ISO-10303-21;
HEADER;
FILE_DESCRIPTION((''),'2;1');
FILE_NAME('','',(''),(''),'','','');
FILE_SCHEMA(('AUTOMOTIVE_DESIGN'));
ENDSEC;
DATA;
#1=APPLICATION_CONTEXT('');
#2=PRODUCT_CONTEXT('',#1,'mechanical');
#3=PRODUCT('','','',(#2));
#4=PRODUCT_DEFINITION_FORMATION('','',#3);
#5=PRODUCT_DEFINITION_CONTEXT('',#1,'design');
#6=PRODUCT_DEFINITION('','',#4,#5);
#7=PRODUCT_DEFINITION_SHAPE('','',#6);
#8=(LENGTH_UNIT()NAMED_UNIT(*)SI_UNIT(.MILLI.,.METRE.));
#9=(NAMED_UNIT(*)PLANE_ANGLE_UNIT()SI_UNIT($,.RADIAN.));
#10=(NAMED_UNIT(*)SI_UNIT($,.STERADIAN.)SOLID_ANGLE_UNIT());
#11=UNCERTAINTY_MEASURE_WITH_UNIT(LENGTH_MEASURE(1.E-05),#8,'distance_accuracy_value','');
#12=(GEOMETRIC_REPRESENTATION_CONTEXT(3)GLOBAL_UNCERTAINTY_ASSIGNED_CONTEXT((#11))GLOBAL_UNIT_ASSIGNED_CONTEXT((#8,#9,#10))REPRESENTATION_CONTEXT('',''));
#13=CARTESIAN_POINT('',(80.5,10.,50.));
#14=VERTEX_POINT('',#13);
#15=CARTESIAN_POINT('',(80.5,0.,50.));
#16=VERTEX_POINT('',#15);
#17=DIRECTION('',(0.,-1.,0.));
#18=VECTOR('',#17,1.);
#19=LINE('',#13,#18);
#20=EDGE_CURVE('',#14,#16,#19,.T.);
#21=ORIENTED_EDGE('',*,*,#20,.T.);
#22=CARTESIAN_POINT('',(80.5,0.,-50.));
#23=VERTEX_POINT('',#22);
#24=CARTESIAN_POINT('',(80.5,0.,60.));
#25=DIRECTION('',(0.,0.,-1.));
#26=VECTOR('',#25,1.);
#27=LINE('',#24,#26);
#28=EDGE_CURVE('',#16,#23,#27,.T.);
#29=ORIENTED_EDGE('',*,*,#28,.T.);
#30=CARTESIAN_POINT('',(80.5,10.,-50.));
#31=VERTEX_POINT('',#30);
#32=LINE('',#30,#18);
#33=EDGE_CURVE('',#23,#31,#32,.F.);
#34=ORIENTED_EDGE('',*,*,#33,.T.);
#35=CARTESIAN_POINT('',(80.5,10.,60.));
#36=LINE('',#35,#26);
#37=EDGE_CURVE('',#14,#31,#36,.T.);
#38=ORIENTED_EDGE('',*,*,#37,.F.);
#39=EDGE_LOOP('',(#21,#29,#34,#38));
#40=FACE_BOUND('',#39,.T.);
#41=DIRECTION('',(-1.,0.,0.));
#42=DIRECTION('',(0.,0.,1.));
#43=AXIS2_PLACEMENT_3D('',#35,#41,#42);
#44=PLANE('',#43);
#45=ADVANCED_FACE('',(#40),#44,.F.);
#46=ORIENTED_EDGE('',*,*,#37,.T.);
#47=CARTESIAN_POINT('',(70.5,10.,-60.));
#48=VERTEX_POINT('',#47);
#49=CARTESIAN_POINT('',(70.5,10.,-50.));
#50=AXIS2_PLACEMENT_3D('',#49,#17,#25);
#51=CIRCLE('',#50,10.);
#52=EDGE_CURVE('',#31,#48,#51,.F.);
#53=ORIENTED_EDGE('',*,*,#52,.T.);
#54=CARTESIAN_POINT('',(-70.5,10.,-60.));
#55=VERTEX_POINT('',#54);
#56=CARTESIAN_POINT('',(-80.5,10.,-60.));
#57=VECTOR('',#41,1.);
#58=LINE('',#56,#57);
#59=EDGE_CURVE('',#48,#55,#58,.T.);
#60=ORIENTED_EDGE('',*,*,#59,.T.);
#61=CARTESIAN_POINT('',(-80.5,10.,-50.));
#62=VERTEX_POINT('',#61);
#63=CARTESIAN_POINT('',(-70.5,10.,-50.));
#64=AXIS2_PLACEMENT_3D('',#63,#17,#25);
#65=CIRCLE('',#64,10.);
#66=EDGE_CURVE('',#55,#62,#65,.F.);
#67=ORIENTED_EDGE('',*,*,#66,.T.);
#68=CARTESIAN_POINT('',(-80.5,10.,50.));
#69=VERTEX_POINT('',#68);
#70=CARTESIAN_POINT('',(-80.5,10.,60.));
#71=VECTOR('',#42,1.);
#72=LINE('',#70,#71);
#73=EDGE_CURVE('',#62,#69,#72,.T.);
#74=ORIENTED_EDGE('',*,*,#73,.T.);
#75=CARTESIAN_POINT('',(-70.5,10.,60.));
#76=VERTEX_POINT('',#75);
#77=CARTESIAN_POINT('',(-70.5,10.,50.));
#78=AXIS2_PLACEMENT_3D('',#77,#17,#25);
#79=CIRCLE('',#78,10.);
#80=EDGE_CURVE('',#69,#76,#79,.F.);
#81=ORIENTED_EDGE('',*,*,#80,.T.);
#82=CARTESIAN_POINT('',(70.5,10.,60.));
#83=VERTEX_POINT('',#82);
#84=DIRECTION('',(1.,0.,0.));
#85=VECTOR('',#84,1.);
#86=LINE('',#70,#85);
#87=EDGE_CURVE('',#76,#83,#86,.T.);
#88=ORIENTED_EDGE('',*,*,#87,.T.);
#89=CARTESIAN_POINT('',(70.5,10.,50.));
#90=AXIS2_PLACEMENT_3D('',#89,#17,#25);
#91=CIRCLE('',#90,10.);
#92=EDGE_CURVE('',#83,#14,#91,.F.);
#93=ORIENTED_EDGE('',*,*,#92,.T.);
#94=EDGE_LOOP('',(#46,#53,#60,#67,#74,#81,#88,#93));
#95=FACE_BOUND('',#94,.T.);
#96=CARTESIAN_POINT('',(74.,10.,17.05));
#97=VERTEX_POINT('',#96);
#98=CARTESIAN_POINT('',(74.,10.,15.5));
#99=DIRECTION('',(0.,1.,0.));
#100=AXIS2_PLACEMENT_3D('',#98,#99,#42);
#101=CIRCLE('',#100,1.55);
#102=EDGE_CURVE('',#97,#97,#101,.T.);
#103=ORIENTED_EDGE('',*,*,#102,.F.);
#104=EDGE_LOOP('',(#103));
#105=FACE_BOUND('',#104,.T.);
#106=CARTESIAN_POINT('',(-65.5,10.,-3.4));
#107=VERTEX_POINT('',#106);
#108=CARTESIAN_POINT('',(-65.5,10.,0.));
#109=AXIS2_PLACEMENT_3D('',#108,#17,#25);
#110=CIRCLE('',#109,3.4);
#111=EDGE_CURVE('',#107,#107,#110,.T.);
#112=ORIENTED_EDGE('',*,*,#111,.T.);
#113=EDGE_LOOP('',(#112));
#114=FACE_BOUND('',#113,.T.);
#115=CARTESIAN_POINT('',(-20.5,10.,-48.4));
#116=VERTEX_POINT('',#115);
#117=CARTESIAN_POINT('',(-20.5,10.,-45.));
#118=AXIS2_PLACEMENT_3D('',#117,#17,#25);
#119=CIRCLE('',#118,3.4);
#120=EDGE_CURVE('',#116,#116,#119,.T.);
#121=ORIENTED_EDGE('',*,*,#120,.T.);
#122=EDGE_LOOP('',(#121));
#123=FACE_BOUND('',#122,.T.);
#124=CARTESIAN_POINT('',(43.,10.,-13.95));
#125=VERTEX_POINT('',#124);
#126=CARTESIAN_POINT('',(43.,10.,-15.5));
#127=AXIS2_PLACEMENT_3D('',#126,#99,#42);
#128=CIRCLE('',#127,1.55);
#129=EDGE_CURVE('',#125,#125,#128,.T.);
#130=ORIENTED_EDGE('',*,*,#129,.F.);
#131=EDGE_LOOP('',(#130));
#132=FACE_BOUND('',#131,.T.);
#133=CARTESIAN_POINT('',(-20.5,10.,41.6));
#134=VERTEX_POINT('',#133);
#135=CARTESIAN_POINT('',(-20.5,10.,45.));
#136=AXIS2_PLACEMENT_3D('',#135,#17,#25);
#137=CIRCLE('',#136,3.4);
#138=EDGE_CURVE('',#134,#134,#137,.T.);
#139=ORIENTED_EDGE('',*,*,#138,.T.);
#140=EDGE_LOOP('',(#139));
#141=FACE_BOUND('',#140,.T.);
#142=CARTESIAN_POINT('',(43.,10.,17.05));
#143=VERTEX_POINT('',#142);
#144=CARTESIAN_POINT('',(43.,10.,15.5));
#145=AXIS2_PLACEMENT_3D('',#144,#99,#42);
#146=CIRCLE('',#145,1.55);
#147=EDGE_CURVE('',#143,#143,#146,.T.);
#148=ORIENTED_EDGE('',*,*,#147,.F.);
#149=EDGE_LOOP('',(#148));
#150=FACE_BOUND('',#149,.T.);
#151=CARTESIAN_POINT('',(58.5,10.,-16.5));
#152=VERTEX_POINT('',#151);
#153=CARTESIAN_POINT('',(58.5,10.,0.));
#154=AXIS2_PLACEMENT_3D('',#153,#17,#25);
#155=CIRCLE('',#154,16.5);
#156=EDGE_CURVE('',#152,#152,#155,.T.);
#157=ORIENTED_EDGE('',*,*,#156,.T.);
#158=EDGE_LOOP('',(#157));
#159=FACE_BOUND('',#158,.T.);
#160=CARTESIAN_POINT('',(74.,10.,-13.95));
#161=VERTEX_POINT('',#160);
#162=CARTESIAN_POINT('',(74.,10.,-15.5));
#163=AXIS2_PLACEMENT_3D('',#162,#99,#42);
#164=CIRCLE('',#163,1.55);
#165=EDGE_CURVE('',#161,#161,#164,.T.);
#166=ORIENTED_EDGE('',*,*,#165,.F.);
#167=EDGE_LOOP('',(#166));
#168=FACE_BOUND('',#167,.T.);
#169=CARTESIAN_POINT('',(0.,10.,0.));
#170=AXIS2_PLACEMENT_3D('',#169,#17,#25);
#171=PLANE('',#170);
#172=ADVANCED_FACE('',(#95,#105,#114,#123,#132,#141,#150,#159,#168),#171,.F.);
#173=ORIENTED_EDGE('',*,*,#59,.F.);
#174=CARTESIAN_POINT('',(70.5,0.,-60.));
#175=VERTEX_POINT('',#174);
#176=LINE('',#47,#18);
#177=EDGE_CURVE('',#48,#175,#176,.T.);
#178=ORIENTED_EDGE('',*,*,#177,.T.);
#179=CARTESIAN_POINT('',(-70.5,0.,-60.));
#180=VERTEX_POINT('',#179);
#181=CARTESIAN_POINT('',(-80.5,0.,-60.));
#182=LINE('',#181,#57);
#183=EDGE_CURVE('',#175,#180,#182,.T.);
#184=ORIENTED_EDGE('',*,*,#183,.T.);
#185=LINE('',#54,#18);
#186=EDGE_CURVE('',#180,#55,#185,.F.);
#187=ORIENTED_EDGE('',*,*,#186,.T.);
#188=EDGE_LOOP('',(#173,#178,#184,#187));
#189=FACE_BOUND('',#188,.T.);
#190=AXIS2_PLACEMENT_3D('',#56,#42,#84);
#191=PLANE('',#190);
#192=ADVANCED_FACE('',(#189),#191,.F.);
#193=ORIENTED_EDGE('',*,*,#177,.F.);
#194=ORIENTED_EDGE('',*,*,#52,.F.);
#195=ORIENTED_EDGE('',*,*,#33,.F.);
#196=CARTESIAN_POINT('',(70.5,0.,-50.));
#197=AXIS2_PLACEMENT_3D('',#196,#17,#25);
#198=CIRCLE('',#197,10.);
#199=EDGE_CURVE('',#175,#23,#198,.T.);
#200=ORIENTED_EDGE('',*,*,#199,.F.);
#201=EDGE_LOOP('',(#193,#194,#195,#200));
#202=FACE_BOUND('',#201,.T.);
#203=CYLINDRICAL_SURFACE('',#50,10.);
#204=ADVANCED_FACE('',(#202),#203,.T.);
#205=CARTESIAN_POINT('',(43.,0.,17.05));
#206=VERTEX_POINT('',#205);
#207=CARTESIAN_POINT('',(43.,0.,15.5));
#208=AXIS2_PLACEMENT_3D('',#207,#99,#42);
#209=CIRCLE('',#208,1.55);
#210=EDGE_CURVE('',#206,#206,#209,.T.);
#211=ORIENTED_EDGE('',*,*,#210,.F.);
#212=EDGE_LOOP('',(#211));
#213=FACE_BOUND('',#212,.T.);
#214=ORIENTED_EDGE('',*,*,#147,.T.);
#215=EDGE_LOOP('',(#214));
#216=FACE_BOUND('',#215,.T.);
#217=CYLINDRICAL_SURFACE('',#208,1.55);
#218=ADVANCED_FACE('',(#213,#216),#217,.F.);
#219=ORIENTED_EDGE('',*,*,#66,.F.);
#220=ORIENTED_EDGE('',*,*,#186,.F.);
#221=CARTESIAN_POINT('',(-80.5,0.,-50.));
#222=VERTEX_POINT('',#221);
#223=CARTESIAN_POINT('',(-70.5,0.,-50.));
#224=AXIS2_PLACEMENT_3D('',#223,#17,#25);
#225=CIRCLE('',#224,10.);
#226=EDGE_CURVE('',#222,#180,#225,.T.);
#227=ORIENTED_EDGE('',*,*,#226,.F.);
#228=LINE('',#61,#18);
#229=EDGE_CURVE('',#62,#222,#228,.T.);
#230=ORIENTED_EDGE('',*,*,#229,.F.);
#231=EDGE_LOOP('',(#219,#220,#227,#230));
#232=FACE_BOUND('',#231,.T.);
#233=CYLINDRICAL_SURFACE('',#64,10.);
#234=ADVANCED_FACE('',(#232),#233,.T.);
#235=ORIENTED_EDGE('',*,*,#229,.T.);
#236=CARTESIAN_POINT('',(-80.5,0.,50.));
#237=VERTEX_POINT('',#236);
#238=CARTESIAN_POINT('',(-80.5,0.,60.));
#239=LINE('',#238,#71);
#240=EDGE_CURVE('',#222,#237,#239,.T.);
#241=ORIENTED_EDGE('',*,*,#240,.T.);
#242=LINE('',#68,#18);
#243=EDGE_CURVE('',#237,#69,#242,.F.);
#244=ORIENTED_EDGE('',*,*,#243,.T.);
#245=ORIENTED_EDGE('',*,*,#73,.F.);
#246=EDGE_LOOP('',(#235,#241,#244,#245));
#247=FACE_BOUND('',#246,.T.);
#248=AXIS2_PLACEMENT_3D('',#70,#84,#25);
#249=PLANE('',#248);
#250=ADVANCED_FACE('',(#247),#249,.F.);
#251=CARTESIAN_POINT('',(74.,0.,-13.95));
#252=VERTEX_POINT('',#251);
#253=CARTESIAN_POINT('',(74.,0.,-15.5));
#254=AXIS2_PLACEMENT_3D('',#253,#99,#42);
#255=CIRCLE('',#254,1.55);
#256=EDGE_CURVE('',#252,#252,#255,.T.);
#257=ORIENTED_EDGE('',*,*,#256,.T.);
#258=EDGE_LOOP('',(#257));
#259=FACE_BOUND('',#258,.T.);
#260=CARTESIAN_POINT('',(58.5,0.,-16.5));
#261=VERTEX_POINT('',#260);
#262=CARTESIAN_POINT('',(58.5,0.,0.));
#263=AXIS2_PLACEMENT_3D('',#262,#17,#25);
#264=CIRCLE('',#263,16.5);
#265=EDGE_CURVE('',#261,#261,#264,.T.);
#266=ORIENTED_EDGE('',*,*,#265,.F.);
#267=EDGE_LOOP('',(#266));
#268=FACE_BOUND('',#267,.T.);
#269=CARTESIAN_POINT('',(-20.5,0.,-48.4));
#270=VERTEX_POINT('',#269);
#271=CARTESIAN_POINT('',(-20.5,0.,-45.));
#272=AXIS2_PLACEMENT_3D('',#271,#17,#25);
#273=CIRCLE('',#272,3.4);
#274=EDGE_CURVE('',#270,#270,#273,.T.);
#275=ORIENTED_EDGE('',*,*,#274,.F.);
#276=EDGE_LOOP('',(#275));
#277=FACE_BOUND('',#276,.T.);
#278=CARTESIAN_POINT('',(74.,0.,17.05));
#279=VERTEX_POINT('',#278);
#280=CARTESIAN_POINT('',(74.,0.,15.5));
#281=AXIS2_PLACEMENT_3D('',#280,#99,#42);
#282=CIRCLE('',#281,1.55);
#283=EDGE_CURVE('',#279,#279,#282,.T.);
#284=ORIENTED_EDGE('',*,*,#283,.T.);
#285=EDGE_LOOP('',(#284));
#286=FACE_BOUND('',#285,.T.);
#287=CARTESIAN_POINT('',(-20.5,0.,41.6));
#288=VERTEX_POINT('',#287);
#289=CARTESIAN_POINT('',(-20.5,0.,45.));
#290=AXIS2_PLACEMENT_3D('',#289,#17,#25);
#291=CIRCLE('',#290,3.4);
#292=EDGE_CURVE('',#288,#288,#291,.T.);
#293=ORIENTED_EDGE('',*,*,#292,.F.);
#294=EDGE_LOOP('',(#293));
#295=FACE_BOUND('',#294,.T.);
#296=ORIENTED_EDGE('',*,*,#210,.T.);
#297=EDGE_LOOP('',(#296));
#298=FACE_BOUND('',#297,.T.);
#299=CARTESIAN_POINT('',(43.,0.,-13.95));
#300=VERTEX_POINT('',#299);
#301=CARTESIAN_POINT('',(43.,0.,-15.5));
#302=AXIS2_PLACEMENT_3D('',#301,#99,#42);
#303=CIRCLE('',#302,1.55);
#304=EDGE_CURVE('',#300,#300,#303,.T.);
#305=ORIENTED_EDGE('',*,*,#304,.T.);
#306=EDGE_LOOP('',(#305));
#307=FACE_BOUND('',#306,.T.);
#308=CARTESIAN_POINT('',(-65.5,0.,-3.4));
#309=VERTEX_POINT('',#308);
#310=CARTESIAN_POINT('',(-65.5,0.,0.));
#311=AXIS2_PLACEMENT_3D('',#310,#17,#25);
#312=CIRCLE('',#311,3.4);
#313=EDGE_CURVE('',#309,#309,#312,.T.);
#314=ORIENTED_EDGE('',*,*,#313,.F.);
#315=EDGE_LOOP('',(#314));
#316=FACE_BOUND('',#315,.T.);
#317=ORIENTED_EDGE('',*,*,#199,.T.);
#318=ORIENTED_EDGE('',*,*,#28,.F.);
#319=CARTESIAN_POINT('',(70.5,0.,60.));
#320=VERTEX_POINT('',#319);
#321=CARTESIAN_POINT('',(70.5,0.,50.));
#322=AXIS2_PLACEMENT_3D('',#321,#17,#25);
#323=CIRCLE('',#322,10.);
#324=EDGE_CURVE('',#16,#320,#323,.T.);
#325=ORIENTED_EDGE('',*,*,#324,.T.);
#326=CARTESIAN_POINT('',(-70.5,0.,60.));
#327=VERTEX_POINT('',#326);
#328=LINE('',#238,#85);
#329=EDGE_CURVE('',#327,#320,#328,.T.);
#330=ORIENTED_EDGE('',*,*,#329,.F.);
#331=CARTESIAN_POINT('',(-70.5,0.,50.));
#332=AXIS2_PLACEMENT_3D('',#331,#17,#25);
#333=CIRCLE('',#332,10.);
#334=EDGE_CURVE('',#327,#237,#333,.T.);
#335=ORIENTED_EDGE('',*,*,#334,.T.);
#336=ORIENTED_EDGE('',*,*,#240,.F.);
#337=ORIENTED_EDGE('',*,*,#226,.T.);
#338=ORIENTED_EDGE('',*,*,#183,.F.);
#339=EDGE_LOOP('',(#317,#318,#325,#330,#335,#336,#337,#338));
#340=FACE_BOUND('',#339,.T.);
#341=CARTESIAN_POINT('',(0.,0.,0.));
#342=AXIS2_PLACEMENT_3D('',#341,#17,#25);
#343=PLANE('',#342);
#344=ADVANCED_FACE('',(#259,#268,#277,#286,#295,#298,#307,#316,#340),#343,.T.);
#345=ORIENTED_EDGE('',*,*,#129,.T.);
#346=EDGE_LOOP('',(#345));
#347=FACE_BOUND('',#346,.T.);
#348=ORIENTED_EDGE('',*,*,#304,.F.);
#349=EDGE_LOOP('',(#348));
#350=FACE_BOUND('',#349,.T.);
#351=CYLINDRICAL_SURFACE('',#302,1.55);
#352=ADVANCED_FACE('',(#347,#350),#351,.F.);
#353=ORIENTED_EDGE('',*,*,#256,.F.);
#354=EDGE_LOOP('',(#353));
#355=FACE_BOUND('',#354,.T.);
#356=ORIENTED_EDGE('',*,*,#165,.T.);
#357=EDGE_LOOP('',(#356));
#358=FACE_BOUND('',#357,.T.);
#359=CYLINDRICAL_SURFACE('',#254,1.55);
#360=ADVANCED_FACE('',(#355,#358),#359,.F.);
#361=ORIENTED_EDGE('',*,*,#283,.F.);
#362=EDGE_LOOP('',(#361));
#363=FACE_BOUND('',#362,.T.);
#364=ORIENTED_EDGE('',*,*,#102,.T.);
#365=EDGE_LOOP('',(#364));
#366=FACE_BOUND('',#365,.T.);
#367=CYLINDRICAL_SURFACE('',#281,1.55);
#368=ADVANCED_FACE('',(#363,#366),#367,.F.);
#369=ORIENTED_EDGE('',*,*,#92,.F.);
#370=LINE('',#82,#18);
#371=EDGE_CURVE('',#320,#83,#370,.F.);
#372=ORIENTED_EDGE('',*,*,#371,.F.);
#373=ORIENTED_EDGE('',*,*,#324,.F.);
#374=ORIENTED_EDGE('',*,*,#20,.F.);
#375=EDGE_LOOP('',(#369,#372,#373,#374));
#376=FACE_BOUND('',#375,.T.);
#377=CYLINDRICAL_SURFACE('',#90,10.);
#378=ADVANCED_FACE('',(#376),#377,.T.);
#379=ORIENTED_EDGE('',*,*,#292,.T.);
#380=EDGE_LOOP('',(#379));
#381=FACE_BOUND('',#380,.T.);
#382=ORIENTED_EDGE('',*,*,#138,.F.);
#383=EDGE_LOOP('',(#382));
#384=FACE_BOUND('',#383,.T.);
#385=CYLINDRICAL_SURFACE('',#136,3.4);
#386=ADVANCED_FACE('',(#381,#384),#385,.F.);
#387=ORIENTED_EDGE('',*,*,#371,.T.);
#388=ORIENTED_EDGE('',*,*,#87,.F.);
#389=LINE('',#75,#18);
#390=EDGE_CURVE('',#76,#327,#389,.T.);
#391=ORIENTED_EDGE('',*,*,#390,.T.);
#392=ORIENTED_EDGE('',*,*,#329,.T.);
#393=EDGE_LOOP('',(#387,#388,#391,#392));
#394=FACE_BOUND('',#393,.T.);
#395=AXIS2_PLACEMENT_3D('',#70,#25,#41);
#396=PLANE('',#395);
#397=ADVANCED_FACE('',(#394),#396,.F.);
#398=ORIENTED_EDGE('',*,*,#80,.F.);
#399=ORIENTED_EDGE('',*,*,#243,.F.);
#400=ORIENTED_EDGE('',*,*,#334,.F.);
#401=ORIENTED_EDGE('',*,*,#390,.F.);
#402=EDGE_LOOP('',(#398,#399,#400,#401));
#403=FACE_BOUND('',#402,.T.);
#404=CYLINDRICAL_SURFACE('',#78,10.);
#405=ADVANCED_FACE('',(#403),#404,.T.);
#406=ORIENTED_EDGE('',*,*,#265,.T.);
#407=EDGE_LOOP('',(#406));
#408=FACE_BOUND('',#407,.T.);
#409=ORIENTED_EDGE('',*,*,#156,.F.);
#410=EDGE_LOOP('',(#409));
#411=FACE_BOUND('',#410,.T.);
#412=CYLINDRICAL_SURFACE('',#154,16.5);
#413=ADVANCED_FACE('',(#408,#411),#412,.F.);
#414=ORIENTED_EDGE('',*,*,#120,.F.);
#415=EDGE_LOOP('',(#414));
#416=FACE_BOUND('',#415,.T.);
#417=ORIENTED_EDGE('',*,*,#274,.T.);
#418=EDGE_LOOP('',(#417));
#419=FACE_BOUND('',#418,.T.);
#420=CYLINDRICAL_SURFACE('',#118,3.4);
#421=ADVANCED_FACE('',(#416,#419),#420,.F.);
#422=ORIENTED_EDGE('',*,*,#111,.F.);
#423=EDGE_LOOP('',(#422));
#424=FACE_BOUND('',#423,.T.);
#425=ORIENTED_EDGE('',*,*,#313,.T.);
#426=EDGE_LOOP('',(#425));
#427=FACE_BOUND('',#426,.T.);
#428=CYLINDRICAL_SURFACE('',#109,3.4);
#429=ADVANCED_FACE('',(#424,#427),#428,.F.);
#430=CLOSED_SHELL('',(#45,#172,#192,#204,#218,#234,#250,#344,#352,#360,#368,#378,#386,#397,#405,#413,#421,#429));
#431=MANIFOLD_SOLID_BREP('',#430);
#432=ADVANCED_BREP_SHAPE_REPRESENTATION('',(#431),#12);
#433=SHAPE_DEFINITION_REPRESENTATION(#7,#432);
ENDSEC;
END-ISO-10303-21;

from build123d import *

# Parameters (mm, degrees)
SKETCH_1_W          = 161
SKETCH_1_H          = 120
EXTRUDE_1_DEPTH     = 10
FILLET_1_R          = 10
SKETCH_2_R          = 1.55
CUT_EXTRUDE_1_DEPTH = 10
SKETCH_3_R          = 16.5
CUT_EXTRUDE_2_DEPTH = 10
SKETCH_4_R          = 3.4
CUT_EXTRUDE_3_DEPTH = 101.897224937


with BuildPart() as part:
    # 草图1 → 凸台-拉伸1 (new body)
    with BuildSketch(Plane(origin=(0, 0, 0), x_dir=(1, 0, 0), z_dir=(0, 1, 0))):
        Rectangle(SKETCH_1_W, SKETCH_1_H)
    extrude(amount=EXTRUDE_1_DEPTH)

    # 圆角1
    fillet_1_edges = [part.edges().sort_by_distance(p)[0] for p in [
        (80.5, 5, 60),
        (-80.5, 5, 60),
        (-80.5, 5, -60),
        (80.5, 5, -60),
    ]]
    fillet(fillet_1_edges, radius=FILLET_1_R)

    # 草图2 → 切除-拉伸1 (cut)
    with BuildSketch(Plane(origin=(0, 10, 0), x_dir=(1, 0, 0), z_dir=(0, 1, 0))):
        with Locations(Location((74, 15.5, 0), (0, 0, 270))):
            Circle(SKETCH_2_R)
        with Locations(Location((74, -15.5, 0), (0, 0, 270))):
            Circle(SKETCH_2_R)
        with Locations(Location((43, 15.5, 0), (0, 0, 270))):
            Circle(SKETCH_2_R)
        with Locations(Location((43, -15.5, 0), (0, 0, 270))):
            Circle(SKETCH_2_R)
    extrude(amount=-CUT_EXTRUDE_1_DEPTH, mode=Mode.SUBTRACT)

    # 草图3 → 切除-拉伸2 (cut)
    with BuildSketch(Plane.XZ):
        with Locations(Location((58.5, 0, 0), (0, 0, 270))):
            Circle(SKETCH_3_R)
    extrude(amount=-CUT_EXTRUDE_2_DEPTH, mode=Mode.SUBTRACT)

    # 草图4 → 切除-拉伸3 (cut, through all)
    with BuildSketch(Plane.XZ):
        with Locations(Location((-20.5, 45, 0), (0, 0, 270))):
            Circle(SKETCH_4_R)
        with Locations(Location((-65.5, 0, 0), (0, 0, 270))):
            Circle(SKETCH_4_R)
        with Locations(Location((-20.5, -45, 0), (0, 0, 270))):
            Circle(SKETCH_4_R)
    extrude(amount=-CUT_EXTRUDE_3_DEPTH, mode=Mode.SUBTRACT)


solid = part.part
